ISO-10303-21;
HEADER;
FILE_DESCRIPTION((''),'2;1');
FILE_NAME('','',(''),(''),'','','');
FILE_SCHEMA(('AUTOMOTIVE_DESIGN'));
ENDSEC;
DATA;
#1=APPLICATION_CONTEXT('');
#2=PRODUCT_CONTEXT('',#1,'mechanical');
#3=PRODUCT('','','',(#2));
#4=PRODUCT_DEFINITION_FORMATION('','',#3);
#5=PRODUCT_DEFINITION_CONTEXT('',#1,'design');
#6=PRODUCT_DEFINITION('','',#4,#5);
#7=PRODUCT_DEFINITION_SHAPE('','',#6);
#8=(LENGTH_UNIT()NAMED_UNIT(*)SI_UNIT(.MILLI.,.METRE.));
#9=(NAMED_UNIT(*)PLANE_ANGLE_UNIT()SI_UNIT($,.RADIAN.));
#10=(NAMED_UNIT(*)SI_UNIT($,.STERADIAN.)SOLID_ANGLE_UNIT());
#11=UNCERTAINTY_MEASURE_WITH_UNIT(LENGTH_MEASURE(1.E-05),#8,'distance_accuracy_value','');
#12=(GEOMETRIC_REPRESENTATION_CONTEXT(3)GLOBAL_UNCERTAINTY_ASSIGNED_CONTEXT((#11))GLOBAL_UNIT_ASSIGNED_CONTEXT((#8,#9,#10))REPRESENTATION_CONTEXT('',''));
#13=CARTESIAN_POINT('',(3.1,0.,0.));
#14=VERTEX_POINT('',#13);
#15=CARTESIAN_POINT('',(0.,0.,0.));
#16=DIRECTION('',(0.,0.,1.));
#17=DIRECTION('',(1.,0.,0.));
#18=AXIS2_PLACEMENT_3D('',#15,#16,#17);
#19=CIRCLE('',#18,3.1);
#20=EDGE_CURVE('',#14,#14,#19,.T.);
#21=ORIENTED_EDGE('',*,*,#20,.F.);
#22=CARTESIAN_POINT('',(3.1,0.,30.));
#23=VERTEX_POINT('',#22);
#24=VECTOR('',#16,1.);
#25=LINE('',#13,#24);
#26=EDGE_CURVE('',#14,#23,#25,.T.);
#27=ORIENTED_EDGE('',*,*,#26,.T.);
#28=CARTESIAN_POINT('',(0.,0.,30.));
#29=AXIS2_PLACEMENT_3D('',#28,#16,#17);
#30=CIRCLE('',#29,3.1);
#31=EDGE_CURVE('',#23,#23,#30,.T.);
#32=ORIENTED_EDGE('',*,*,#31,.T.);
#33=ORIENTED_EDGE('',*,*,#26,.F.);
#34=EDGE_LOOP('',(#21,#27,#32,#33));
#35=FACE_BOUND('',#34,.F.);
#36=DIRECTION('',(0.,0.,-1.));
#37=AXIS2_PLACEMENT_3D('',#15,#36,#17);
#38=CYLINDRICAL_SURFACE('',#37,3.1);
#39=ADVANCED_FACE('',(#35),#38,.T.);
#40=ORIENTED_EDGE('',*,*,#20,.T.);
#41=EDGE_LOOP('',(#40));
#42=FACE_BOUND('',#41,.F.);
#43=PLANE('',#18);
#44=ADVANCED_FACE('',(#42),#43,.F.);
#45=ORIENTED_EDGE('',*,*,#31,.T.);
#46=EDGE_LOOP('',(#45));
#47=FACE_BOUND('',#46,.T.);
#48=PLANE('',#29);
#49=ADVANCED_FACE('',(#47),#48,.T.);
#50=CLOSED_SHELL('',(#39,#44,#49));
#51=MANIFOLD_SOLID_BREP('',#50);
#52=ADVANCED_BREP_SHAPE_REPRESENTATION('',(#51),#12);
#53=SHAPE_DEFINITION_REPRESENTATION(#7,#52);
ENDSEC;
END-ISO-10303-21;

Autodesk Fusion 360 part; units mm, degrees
sketch "Sketch1" plane through (0, 0, 0) normal (0, 0, 1) x (1, 0, 0)
  circle A0 centre (0, 0) radius 3.1
  dimension "d3" = 6.2
extrude "Extrude1" add sketch "Sketch1" along normal blind 30
equation "dowel_pin_radius = 3.10 mm"
equation "length = 30 mm"
equation "d3 = dowel_pin_radius * 2"
equation "d4 = length"
